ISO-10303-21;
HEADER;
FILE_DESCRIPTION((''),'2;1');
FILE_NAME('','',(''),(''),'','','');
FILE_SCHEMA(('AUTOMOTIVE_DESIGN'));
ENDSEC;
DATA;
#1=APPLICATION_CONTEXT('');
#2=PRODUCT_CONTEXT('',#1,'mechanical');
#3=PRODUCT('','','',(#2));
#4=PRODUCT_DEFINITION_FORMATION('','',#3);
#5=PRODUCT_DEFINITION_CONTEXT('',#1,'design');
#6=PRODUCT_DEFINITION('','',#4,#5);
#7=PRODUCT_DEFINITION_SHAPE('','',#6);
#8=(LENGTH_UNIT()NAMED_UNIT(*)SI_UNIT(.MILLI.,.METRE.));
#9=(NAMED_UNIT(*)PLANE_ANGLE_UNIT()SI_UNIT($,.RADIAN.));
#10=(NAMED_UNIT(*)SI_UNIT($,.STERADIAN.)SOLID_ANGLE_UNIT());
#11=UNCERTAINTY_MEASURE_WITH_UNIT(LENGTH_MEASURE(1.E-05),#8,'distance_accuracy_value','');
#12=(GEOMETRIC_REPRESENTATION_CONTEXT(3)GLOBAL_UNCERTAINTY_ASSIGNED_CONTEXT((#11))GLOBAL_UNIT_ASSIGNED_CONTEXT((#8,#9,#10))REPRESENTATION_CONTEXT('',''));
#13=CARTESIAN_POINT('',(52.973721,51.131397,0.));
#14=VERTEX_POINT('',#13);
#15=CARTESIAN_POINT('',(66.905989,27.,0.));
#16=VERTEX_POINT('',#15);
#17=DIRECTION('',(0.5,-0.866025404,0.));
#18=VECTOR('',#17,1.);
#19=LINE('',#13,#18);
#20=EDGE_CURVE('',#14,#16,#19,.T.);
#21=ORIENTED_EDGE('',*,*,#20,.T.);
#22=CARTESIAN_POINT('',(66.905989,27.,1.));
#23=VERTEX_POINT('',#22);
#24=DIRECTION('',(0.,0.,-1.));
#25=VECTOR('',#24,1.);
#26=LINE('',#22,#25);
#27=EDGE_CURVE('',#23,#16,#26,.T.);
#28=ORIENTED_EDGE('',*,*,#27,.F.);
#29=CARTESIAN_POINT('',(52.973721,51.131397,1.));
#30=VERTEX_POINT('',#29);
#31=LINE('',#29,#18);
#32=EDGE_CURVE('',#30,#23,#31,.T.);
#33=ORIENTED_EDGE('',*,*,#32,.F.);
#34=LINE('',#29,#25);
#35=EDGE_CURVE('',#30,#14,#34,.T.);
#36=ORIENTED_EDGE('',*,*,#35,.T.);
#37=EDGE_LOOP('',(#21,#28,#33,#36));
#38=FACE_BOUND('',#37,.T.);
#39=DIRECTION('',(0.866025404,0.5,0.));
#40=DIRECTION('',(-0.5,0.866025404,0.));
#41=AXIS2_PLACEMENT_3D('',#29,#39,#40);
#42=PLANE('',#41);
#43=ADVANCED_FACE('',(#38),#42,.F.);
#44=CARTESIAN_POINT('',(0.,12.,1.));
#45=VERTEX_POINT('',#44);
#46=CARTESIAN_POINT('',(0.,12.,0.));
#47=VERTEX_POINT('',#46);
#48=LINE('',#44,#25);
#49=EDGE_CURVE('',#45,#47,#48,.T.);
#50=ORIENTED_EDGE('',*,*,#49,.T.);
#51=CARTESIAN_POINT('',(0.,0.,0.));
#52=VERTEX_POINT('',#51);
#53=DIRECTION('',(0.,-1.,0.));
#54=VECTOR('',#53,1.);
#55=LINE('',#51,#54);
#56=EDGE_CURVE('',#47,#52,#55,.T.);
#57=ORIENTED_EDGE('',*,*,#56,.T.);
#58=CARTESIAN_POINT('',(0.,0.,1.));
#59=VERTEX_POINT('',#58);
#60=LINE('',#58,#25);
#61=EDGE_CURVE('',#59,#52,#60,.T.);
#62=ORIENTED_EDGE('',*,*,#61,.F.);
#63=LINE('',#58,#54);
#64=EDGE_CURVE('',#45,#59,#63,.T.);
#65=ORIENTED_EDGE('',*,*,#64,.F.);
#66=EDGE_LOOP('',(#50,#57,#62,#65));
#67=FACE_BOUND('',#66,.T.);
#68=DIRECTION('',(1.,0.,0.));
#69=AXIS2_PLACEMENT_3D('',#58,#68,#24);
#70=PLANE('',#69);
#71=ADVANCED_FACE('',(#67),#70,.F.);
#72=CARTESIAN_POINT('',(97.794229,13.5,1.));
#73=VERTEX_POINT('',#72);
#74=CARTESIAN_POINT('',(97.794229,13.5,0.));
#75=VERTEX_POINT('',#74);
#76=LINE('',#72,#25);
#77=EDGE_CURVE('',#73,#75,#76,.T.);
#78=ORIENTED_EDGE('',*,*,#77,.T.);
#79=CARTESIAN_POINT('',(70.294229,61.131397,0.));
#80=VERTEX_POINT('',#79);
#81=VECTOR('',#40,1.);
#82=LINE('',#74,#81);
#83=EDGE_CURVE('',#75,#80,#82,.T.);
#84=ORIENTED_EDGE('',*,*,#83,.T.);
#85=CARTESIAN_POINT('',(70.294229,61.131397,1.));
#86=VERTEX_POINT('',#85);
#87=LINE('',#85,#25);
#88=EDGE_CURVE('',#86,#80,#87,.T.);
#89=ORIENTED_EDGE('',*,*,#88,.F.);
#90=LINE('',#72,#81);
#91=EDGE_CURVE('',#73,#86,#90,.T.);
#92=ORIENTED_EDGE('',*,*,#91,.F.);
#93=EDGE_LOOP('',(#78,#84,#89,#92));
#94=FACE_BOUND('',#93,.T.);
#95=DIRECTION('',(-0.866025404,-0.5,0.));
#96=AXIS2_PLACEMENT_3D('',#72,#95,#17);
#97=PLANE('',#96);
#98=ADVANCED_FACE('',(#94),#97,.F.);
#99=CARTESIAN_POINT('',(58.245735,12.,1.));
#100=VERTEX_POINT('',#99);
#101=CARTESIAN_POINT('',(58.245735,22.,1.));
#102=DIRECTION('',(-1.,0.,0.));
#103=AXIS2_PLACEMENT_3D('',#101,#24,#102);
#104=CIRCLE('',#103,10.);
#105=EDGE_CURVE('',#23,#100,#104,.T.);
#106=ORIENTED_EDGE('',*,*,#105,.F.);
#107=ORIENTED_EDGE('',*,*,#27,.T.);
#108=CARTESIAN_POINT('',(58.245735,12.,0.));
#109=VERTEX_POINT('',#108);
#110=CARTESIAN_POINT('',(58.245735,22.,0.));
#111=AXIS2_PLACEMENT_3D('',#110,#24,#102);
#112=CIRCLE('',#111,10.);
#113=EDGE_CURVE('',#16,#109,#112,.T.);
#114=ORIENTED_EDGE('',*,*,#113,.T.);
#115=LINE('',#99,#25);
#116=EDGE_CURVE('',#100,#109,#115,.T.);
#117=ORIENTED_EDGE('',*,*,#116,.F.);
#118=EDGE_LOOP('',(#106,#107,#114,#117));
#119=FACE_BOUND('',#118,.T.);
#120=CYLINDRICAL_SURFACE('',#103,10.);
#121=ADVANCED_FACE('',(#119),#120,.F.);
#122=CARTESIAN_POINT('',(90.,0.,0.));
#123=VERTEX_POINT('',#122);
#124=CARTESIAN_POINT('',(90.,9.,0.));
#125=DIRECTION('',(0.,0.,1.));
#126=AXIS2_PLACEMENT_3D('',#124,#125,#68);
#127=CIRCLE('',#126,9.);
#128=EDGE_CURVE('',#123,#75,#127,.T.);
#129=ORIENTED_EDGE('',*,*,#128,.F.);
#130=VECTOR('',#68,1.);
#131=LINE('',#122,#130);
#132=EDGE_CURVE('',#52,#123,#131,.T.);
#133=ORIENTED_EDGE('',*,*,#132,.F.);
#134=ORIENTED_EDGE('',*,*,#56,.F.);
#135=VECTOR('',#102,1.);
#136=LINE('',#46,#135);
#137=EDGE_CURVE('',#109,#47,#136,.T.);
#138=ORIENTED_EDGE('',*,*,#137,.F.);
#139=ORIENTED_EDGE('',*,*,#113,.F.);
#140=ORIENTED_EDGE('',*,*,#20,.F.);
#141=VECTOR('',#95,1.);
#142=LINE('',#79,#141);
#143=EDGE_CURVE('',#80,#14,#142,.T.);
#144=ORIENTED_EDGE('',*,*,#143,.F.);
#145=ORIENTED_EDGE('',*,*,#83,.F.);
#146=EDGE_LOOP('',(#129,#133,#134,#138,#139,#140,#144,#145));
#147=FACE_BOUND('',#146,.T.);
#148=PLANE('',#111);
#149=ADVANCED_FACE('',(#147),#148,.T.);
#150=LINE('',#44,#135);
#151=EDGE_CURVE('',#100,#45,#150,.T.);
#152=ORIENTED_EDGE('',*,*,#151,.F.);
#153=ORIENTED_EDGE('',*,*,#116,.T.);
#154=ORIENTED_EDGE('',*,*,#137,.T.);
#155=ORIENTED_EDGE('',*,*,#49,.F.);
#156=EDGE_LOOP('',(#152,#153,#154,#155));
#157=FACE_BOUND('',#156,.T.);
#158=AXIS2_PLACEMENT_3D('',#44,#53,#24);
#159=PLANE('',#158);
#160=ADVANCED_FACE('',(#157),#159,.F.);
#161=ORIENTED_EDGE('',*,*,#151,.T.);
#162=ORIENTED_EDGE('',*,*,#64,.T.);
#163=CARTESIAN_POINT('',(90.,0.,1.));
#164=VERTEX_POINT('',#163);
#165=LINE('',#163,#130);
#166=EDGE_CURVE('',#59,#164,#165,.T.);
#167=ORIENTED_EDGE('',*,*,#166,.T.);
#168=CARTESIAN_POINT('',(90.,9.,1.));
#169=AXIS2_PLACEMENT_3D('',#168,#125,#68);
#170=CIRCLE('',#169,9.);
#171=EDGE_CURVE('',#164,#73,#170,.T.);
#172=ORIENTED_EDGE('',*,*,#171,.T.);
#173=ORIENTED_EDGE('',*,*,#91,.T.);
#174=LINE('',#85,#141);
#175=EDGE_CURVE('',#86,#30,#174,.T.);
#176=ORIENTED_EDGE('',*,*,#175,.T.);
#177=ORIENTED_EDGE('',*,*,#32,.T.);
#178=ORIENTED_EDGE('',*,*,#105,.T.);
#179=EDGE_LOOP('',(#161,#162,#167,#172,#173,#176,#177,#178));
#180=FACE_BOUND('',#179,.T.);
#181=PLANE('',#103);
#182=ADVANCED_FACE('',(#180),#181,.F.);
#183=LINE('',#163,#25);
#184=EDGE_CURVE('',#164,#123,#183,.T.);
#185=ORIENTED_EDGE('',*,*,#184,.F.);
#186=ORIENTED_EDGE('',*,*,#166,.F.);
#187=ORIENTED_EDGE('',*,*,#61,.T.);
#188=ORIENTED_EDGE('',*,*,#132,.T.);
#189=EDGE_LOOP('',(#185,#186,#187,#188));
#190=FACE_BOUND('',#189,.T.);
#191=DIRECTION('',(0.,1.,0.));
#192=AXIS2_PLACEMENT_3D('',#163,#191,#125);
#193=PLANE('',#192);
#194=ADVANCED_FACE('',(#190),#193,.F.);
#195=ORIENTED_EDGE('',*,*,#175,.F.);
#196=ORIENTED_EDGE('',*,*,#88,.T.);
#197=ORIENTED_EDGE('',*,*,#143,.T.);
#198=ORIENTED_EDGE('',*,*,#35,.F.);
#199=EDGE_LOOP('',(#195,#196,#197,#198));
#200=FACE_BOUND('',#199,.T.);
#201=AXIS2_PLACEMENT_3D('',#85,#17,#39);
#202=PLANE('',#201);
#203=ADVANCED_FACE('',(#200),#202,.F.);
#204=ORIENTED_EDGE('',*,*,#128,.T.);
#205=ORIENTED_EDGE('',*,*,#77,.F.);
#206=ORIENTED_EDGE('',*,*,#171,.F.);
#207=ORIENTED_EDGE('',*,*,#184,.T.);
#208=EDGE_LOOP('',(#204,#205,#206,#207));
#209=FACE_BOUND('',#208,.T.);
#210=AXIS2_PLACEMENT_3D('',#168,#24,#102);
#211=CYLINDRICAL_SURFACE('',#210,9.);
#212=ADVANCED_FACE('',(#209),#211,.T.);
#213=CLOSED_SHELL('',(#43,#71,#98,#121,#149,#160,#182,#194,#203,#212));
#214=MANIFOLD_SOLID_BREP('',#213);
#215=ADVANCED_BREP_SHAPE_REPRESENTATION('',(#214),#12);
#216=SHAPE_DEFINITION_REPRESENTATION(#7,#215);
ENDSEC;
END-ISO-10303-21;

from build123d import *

# Parameters (mm, degrees)
DODANIE_WYCI_GNI_CIE1_DEPTH = 1


with BuildPart() as part:
    # Szkic1 → Dodanie-wyciągnięcie1 (new body)
    with BuildSketch(Plane.XY):
        with BuildLine():
            Line((0, 0), (0, 12))
            Line((0, 12), (58.245735195, 12))
            ThreePointArc((58.245735195, 12), (66.905989232, 17), (66.905989232, 27))
            Line((66.905989232, 27), (52.973720558, 51.131397208))
            Line((52.973720558, 51.131397208), (70.294228634, 61.131397208))
            Line((70.294228634, 61.131397208), (97.794228634, 13.5))
            ThreePointArc((97.794228634, 13.5), (97.794228634, 4.5), (90, 0))
            Line((90, 0), (0, 0))
        make_face()
    extrude(amount=DODANIE_WYCI_GNI_CIE1_DEPTH)


solid = part.part
